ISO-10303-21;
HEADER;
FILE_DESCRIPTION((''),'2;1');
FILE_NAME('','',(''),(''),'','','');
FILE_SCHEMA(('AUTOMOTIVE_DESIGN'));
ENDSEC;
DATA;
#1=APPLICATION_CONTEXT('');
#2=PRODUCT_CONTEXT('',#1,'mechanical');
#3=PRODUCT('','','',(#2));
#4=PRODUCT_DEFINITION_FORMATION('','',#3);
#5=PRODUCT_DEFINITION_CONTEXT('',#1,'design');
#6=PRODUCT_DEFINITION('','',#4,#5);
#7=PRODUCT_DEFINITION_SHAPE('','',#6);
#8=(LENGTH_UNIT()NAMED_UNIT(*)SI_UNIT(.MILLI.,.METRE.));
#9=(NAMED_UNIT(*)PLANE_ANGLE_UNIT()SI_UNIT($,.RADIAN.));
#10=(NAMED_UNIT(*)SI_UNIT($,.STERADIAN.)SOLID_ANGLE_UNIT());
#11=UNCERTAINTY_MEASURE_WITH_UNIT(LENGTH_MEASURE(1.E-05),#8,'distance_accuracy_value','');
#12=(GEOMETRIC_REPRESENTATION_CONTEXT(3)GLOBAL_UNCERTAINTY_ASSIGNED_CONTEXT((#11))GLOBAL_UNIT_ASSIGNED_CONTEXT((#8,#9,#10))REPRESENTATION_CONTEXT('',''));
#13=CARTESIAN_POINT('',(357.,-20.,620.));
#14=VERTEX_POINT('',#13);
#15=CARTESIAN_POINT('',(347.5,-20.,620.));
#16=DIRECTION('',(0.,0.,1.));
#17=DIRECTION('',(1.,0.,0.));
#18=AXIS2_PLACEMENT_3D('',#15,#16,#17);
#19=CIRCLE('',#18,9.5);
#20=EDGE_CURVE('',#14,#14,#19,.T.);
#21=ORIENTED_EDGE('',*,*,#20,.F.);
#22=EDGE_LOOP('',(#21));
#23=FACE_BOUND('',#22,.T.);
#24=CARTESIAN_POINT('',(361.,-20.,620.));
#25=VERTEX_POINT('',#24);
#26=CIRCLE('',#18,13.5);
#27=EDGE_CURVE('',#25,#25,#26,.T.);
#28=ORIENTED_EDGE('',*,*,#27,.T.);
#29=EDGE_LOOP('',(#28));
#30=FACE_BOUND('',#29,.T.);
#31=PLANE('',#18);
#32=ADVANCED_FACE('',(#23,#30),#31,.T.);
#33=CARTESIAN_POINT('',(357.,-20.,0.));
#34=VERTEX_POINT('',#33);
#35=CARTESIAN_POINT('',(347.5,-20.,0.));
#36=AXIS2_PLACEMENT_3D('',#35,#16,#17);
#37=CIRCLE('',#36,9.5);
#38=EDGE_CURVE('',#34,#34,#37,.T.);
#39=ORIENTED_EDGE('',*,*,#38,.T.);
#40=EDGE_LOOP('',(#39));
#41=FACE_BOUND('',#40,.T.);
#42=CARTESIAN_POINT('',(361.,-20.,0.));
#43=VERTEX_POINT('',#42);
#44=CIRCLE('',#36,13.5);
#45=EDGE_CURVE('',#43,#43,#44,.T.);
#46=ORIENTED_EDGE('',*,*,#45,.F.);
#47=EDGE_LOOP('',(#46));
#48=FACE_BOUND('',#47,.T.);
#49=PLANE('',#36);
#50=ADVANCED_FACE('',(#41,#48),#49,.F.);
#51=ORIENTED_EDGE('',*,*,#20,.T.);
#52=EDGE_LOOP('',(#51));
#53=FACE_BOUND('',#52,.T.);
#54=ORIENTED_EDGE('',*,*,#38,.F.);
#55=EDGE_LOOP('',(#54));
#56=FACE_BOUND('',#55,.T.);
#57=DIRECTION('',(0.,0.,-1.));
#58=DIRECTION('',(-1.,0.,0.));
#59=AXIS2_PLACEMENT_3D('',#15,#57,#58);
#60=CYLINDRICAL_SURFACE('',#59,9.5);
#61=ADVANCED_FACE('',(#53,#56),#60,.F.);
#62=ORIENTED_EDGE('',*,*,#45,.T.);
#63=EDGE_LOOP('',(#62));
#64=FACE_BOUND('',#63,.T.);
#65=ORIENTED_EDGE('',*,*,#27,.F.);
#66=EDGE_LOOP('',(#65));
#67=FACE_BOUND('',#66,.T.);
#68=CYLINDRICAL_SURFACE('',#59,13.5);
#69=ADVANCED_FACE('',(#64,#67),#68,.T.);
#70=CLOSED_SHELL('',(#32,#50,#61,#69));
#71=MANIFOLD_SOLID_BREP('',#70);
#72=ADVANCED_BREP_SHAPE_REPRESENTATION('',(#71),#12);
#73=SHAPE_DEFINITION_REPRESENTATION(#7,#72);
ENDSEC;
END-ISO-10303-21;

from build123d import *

# Parameters (mm, degrees)
SKETCH1_R           = 13.5
SKETCH1_R_2         = 9.5
BOSS_EXTRUDE1_DEPTH = 620


with BuildPart() as part:
    # Sketch1 → Boss-Extrude1 (new body)
    with BuildSketch(Plane.XY):
        with Locations((347.5, -20)):
            Circle(SKETCH1_R)
        with Locations((347.5, -20)):
            Circle(SKETCH1_R_2, mode=Mode.SUBTRACT)
    extrude(amount=BOSS_EXTRUDE1_DEPTH)


solid = part.part
